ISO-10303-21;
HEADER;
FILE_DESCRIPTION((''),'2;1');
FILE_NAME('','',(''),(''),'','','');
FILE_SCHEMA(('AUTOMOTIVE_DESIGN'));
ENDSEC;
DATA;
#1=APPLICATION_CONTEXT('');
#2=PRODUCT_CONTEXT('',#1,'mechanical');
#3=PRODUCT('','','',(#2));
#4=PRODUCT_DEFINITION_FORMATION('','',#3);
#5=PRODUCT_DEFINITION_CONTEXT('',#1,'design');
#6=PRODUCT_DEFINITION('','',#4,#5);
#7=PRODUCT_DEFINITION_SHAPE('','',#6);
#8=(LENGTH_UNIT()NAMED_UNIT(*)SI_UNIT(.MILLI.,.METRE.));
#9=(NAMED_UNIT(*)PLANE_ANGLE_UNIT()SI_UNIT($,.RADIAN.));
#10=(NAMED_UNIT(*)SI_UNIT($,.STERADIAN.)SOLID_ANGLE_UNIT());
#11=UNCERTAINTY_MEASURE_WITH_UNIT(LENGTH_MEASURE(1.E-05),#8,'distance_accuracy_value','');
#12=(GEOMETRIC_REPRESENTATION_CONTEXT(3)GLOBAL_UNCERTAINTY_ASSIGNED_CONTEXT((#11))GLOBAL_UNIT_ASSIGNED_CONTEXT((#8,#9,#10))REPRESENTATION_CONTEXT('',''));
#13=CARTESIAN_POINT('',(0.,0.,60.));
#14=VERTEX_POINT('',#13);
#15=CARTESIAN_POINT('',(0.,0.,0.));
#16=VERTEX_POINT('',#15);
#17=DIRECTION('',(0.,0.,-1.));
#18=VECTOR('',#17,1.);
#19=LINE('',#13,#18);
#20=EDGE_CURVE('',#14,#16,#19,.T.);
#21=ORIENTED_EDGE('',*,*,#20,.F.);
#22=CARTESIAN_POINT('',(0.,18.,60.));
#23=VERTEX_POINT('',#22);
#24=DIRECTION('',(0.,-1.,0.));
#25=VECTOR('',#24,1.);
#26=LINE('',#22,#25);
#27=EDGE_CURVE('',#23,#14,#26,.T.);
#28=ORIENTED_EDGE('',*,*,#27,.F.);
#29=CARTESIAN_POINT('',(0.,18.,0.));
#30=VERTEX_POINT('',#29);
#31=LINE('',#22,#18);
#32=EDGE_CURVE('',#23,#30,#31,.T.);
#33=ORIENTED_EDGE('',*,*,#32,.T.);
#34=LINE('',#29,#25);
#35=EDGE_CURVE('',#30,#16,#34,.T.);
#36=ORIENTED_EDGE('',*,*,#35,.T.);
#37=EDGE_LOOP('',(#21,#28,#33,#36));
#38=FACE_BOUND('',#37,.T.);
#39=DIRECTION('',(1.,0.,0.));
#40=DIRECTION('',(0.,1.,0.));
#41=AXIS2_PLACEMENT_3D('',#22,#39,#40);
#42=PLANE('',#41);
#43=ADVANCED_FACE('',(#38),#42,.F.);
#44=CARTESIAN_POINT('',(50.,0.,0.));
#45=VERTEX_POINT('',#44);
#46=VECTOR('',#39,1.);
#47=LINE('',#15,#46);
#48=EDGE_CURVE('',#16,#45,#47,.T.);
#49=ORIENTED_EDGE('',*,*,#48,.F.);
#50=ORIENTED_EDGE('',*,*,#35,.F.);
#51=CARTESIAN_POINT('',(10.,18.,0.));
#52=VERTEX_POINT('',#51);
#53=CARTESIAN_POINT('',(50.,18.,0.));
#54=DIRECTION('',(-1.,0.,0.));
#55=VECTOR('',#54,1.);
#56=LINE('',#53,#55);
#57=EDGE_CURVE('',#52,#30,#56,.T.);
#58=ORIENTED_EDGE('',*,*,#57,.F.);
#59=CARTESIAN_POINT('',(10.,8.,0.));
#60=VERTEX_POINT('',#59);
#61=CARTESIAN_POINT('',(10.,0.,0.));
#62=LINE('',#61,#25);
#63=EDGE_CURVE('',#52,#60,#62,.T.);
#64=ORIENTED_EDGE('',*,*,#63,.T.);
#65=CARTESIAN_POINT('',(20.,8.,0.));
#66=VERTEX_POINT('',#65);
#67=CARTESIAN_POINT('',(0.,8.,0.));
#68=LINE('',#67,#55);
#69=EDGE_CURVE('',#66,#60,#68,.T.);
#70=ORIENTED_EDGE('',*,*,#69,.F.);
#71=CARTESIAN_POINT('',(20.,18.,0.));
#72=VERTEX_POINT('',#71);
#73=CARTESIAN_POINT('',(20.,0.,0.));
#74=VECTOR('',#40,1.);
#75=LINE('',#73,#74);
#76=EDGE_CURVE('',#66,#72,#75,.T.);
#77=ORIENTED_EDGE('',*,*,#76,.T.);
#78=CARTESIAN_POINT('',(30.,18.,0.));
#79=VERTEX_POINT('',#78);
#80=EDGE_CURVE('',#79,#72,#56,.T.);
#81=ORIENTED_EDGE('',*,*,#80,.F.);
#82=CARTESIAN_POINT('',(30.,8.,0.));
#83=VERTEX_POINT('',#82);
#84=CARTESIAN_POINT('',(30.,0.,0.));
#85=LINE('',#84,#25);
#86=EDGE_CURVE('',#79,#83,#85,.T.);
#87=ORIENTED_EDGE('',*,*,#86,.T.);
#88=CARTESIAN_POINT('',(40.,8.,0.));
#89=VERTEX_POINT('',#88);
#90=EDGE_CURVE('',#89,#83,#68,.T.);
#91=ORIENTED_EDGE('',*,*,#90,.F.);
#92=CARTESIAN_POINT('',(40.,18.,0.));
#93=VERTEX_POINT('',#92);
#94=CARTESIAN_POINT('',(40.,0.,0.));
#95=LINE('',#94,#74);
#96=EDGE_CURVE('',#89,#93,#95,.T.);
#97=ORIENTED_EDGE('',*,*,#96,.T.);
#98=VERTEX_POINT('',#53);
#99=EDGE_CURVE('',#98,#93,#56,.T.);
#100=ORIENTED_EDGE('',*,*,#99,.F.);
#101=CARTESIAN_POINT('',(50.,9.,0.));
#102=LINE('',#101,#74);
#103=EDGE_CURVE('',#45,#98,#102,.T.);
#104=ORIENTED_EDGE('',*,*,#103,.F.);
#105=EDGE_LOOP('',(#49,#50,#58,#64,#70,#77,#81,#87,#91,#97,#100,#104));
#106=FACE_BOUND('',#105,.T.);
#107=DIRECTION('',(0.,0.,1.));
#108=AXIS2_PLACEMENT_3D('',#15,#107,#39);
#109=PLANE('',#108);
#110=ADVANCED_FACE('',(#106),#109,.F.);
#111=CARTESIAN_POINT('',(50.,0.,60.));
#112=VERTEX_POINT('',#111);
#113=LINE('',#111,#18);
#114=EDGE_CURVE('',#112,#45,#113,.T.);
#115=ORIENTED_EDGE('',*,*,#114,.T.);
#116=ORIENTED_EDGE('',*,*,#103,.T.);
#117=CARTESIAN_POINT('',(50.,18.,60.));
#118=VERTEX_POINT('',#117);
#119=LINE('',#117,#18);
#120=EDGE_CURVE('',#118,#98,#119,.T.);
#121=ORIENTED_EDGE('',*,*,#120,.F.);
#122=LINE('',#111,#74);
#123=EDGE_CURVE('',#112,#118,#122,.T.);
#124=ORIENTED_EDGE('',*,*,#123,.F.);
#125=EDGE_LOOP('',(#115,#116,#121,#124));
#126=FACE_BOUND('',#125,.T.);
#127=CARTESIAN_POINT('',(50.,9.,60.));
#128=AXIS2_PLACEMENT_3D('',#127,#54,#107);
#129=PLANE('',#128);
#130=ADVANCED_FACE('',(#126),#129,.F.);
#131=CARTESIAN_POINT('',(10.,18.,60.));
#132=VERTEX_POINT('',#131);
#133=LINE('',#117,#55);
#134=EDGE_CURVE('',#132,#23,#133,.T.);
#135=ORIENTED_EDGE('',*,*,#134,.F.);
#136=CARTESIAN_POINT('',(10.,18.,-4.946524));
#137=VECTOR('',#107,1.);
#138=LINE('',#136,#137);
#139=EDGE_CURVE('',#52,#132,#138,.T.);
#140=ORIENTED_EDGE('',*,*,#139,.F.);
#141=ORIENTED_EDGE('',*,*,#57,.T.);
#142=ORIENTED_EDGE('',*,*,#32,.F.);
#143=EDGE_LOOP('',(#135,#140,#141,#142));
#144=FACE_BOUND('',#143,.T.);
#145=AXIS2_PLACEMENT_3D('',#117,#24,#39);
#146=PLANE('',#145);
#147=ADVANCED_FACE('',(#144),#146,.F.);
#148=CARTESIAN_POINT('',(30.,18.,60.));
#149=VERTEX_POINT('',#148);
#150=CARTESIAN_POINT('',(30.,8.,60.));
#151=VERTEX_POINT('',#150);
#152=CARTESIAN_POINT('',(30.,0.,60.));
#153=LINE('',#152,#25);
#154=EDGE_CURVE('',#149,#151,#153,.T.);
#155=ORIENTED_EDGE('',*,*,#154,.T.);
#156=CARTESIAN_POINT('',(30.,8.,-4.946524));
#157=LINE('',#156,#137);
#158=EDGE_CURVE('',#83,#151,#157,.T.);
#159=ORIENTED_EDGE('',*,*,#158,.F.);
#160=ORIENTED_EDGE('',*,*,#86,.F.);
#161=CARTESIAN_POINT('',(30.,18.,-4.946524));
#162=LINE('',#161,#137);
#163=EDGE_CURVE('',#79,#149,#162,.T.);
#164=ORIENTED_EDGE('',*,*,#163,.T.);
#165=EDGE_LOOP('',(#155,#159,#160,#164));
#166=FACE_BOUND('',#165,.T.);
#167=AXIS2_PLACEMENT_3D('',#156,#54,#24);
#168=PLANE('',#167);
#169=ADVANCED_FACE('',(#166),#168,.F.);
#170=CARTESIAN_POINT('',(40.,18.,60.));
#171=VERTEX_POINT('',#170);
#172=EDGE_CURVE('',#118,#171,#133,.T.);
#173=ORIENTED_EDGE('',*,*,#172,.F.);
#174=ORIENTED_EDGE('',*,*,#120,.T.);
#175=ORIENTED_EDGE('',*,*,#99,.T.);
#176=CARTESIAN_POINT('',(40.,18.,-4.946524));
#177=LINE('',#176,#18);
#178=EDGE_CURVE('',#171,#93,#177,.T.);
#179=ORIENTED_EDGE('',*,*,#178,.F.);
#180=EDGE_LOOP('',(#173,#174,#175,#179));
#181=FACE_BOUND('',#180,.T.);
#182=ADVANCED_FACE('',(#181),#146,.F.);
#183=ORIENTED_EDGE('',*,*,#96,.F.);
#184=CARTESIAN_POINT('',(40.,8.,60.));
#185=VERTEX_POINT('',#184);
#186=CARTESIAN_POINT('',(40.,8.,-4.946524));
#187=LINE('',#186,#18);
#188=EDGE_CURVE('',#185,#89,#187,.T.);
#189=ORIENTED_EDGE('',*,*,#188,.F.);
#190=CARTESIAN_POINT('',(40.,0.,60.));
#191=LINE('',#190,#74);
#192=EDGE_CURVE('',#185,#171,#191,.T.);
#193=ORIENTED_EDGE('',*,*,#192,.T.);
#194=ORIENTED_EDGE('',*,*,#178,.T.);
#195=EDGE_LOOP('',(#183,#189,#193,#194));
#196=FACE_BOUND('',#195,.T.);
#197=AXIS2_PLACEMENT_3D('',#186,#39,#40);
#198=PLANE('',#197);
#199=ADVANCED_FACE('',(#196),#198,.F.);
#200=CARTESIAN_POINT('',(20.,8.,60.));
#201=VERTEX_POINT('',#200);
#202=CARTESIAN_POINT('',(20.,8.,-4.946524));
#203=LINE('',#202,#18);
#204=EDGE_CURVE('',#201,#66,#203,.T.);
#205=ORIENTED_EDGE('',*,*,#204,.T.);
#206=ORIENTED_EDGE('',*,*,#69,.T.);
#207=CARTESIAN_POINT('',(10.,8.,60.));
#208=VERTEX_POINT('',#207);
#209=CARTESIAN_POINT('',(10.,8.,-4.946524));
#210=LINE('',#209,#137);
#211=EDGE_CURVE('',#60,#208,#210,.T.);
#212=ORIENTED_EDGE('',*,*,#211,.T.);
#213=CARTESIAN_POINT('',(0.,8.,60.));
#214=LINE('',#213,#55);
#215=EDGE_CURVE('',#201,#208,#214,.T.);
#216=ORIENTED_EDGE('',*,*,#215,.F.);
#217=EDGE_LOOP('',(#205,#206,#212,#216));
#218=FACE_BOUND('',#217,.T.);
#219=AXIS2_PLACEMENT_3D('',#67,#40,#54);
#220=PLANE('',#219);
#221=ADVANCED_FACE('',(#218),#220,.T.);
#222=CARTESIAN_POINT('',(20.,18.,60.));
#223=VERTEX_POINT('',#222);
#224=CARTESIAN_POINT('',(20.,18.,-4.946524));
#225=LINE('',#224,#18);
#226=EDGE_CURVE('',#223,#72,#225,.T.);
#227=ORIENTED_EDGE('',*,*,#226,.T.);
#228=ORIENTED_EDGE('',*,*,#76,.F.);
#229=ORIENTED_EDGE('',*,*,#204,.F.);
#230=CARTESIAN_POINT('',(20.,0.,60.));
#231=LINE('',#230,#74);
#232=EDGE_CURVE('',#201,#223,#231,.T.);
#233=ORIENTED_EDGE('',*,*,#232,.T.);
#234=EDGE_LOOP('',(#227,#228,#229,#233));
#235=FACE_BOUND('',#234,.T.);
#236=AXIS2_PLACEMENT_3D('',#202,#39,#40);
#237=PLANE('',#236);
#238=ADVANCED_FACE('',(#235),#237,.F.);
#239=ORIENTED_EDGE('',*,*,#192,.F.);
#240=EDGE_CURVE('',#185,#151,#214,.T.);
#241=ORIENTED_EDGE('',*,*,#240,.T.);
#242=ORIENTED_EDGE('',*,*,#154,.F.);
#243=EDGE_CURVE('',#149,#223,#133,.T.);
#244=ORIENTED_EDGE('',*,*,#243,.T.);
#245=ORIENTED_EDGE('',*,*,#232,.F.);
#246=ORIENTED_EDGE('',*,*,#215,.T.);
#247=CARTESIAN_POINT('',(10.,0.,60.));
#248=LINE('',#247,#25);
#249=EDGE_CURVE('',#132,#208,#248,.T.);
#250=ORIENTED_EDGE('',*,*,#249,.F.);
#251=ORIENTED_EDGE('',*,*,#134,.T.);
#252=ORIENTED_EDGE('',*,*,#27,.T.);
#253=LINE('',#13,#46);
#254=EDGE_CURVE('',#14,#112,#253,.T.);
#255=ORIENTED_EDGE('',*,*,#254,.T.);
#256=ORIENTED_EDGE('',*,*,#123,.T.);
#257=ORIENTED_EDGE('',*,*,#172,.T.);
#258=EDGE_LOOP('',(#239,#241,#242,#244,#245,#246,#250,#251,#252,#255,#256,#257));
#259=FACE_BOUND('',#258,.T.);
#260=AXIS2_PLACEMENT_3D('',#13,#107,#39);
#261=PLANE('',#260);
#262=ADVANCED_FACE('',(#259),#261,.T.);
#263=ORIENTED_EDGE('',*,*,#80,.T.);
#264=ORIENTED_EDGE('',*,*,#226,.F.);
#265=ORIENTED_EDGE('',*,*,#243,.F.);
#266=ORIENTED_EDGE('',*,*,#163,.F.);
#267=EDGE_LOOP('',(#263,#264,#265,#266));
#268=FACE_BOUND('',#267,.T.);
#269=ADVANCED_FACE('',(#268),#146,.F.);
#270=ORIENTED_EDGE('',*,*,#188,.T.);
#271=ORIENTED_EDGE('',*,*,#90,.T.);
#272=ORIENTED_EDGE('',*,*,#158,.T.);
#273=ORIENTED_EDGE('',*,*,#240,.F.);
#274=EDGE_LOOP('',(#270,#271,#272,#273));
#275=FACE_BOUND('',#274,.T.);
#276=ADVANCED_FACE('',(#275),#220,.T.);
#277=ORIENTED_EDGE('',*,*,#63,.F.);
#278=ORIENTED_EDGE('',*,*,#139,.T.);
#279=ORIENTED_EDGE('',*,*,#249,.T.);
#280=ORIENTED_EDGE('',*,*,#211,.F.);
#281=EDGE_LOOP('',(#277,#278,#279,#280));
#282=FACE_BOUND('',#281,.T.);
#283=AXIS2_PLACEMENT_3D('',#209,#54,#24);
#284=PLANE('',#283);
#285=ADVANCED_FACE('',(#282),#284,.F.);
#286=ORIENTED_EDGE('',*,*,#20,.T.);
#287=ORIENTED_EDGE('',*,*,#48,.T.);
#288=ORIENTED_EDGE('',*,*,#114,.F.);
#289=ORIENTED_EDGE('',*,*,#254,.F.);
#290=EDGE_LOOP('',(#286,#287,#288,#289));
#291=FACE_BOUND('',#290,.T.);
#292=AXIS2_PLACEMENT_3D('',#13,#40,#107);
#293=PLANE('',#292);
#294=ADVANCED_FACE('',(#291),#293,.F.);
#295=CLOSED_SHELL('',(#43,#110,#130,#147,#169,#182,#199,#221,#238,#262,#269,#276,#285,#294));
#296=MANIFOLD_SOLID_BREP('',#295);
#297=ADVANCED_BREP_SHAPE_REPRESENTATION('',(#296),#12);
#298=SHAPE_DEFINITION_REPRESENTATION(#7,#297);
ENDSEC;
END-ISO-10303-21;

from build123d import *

# Parameters (mm, degrees)
BOSS_EXTRU_1_DEPTH      = 60
ESQUISSE2_W             = 10
ESQUISSE2_H             = 70.243389495
ENL_V_MAT_EXTRU_1_DEPTH = 10


with BuildPart() as part:
    # Esquisse1 → Boss.-Extru.1 (new body)
    with BuildSketch(Plane.XY):
        Polygon((0, 0), (50, 0), (50, 9), (50, 18), (0, 18), align=None)
    extrude(amount=BOSS_EXTRU_1_DEPTH)

    # Esquisse2 → Enlèv. mat.-Extru.1 (cut)
    with BuildSketch(Plane(origin=(0, 18, 0), x_dir=(1, 0, 0), z_dir=(0, 1, 0))):
        with Locations((15, -30.175170548)):
            Rectangle(ESQUISSE2_W, ESQUISSE2_H)
        with Locations((35, -30.175170548)):
            Rectangle(ESQUISSE2_W, ESQUISSE2_H)
    extrude(amount=-ENL_V_MAT_EXTRU_1_DEPTH, mode=Mode.SUBTRACT)


solid = part.part
